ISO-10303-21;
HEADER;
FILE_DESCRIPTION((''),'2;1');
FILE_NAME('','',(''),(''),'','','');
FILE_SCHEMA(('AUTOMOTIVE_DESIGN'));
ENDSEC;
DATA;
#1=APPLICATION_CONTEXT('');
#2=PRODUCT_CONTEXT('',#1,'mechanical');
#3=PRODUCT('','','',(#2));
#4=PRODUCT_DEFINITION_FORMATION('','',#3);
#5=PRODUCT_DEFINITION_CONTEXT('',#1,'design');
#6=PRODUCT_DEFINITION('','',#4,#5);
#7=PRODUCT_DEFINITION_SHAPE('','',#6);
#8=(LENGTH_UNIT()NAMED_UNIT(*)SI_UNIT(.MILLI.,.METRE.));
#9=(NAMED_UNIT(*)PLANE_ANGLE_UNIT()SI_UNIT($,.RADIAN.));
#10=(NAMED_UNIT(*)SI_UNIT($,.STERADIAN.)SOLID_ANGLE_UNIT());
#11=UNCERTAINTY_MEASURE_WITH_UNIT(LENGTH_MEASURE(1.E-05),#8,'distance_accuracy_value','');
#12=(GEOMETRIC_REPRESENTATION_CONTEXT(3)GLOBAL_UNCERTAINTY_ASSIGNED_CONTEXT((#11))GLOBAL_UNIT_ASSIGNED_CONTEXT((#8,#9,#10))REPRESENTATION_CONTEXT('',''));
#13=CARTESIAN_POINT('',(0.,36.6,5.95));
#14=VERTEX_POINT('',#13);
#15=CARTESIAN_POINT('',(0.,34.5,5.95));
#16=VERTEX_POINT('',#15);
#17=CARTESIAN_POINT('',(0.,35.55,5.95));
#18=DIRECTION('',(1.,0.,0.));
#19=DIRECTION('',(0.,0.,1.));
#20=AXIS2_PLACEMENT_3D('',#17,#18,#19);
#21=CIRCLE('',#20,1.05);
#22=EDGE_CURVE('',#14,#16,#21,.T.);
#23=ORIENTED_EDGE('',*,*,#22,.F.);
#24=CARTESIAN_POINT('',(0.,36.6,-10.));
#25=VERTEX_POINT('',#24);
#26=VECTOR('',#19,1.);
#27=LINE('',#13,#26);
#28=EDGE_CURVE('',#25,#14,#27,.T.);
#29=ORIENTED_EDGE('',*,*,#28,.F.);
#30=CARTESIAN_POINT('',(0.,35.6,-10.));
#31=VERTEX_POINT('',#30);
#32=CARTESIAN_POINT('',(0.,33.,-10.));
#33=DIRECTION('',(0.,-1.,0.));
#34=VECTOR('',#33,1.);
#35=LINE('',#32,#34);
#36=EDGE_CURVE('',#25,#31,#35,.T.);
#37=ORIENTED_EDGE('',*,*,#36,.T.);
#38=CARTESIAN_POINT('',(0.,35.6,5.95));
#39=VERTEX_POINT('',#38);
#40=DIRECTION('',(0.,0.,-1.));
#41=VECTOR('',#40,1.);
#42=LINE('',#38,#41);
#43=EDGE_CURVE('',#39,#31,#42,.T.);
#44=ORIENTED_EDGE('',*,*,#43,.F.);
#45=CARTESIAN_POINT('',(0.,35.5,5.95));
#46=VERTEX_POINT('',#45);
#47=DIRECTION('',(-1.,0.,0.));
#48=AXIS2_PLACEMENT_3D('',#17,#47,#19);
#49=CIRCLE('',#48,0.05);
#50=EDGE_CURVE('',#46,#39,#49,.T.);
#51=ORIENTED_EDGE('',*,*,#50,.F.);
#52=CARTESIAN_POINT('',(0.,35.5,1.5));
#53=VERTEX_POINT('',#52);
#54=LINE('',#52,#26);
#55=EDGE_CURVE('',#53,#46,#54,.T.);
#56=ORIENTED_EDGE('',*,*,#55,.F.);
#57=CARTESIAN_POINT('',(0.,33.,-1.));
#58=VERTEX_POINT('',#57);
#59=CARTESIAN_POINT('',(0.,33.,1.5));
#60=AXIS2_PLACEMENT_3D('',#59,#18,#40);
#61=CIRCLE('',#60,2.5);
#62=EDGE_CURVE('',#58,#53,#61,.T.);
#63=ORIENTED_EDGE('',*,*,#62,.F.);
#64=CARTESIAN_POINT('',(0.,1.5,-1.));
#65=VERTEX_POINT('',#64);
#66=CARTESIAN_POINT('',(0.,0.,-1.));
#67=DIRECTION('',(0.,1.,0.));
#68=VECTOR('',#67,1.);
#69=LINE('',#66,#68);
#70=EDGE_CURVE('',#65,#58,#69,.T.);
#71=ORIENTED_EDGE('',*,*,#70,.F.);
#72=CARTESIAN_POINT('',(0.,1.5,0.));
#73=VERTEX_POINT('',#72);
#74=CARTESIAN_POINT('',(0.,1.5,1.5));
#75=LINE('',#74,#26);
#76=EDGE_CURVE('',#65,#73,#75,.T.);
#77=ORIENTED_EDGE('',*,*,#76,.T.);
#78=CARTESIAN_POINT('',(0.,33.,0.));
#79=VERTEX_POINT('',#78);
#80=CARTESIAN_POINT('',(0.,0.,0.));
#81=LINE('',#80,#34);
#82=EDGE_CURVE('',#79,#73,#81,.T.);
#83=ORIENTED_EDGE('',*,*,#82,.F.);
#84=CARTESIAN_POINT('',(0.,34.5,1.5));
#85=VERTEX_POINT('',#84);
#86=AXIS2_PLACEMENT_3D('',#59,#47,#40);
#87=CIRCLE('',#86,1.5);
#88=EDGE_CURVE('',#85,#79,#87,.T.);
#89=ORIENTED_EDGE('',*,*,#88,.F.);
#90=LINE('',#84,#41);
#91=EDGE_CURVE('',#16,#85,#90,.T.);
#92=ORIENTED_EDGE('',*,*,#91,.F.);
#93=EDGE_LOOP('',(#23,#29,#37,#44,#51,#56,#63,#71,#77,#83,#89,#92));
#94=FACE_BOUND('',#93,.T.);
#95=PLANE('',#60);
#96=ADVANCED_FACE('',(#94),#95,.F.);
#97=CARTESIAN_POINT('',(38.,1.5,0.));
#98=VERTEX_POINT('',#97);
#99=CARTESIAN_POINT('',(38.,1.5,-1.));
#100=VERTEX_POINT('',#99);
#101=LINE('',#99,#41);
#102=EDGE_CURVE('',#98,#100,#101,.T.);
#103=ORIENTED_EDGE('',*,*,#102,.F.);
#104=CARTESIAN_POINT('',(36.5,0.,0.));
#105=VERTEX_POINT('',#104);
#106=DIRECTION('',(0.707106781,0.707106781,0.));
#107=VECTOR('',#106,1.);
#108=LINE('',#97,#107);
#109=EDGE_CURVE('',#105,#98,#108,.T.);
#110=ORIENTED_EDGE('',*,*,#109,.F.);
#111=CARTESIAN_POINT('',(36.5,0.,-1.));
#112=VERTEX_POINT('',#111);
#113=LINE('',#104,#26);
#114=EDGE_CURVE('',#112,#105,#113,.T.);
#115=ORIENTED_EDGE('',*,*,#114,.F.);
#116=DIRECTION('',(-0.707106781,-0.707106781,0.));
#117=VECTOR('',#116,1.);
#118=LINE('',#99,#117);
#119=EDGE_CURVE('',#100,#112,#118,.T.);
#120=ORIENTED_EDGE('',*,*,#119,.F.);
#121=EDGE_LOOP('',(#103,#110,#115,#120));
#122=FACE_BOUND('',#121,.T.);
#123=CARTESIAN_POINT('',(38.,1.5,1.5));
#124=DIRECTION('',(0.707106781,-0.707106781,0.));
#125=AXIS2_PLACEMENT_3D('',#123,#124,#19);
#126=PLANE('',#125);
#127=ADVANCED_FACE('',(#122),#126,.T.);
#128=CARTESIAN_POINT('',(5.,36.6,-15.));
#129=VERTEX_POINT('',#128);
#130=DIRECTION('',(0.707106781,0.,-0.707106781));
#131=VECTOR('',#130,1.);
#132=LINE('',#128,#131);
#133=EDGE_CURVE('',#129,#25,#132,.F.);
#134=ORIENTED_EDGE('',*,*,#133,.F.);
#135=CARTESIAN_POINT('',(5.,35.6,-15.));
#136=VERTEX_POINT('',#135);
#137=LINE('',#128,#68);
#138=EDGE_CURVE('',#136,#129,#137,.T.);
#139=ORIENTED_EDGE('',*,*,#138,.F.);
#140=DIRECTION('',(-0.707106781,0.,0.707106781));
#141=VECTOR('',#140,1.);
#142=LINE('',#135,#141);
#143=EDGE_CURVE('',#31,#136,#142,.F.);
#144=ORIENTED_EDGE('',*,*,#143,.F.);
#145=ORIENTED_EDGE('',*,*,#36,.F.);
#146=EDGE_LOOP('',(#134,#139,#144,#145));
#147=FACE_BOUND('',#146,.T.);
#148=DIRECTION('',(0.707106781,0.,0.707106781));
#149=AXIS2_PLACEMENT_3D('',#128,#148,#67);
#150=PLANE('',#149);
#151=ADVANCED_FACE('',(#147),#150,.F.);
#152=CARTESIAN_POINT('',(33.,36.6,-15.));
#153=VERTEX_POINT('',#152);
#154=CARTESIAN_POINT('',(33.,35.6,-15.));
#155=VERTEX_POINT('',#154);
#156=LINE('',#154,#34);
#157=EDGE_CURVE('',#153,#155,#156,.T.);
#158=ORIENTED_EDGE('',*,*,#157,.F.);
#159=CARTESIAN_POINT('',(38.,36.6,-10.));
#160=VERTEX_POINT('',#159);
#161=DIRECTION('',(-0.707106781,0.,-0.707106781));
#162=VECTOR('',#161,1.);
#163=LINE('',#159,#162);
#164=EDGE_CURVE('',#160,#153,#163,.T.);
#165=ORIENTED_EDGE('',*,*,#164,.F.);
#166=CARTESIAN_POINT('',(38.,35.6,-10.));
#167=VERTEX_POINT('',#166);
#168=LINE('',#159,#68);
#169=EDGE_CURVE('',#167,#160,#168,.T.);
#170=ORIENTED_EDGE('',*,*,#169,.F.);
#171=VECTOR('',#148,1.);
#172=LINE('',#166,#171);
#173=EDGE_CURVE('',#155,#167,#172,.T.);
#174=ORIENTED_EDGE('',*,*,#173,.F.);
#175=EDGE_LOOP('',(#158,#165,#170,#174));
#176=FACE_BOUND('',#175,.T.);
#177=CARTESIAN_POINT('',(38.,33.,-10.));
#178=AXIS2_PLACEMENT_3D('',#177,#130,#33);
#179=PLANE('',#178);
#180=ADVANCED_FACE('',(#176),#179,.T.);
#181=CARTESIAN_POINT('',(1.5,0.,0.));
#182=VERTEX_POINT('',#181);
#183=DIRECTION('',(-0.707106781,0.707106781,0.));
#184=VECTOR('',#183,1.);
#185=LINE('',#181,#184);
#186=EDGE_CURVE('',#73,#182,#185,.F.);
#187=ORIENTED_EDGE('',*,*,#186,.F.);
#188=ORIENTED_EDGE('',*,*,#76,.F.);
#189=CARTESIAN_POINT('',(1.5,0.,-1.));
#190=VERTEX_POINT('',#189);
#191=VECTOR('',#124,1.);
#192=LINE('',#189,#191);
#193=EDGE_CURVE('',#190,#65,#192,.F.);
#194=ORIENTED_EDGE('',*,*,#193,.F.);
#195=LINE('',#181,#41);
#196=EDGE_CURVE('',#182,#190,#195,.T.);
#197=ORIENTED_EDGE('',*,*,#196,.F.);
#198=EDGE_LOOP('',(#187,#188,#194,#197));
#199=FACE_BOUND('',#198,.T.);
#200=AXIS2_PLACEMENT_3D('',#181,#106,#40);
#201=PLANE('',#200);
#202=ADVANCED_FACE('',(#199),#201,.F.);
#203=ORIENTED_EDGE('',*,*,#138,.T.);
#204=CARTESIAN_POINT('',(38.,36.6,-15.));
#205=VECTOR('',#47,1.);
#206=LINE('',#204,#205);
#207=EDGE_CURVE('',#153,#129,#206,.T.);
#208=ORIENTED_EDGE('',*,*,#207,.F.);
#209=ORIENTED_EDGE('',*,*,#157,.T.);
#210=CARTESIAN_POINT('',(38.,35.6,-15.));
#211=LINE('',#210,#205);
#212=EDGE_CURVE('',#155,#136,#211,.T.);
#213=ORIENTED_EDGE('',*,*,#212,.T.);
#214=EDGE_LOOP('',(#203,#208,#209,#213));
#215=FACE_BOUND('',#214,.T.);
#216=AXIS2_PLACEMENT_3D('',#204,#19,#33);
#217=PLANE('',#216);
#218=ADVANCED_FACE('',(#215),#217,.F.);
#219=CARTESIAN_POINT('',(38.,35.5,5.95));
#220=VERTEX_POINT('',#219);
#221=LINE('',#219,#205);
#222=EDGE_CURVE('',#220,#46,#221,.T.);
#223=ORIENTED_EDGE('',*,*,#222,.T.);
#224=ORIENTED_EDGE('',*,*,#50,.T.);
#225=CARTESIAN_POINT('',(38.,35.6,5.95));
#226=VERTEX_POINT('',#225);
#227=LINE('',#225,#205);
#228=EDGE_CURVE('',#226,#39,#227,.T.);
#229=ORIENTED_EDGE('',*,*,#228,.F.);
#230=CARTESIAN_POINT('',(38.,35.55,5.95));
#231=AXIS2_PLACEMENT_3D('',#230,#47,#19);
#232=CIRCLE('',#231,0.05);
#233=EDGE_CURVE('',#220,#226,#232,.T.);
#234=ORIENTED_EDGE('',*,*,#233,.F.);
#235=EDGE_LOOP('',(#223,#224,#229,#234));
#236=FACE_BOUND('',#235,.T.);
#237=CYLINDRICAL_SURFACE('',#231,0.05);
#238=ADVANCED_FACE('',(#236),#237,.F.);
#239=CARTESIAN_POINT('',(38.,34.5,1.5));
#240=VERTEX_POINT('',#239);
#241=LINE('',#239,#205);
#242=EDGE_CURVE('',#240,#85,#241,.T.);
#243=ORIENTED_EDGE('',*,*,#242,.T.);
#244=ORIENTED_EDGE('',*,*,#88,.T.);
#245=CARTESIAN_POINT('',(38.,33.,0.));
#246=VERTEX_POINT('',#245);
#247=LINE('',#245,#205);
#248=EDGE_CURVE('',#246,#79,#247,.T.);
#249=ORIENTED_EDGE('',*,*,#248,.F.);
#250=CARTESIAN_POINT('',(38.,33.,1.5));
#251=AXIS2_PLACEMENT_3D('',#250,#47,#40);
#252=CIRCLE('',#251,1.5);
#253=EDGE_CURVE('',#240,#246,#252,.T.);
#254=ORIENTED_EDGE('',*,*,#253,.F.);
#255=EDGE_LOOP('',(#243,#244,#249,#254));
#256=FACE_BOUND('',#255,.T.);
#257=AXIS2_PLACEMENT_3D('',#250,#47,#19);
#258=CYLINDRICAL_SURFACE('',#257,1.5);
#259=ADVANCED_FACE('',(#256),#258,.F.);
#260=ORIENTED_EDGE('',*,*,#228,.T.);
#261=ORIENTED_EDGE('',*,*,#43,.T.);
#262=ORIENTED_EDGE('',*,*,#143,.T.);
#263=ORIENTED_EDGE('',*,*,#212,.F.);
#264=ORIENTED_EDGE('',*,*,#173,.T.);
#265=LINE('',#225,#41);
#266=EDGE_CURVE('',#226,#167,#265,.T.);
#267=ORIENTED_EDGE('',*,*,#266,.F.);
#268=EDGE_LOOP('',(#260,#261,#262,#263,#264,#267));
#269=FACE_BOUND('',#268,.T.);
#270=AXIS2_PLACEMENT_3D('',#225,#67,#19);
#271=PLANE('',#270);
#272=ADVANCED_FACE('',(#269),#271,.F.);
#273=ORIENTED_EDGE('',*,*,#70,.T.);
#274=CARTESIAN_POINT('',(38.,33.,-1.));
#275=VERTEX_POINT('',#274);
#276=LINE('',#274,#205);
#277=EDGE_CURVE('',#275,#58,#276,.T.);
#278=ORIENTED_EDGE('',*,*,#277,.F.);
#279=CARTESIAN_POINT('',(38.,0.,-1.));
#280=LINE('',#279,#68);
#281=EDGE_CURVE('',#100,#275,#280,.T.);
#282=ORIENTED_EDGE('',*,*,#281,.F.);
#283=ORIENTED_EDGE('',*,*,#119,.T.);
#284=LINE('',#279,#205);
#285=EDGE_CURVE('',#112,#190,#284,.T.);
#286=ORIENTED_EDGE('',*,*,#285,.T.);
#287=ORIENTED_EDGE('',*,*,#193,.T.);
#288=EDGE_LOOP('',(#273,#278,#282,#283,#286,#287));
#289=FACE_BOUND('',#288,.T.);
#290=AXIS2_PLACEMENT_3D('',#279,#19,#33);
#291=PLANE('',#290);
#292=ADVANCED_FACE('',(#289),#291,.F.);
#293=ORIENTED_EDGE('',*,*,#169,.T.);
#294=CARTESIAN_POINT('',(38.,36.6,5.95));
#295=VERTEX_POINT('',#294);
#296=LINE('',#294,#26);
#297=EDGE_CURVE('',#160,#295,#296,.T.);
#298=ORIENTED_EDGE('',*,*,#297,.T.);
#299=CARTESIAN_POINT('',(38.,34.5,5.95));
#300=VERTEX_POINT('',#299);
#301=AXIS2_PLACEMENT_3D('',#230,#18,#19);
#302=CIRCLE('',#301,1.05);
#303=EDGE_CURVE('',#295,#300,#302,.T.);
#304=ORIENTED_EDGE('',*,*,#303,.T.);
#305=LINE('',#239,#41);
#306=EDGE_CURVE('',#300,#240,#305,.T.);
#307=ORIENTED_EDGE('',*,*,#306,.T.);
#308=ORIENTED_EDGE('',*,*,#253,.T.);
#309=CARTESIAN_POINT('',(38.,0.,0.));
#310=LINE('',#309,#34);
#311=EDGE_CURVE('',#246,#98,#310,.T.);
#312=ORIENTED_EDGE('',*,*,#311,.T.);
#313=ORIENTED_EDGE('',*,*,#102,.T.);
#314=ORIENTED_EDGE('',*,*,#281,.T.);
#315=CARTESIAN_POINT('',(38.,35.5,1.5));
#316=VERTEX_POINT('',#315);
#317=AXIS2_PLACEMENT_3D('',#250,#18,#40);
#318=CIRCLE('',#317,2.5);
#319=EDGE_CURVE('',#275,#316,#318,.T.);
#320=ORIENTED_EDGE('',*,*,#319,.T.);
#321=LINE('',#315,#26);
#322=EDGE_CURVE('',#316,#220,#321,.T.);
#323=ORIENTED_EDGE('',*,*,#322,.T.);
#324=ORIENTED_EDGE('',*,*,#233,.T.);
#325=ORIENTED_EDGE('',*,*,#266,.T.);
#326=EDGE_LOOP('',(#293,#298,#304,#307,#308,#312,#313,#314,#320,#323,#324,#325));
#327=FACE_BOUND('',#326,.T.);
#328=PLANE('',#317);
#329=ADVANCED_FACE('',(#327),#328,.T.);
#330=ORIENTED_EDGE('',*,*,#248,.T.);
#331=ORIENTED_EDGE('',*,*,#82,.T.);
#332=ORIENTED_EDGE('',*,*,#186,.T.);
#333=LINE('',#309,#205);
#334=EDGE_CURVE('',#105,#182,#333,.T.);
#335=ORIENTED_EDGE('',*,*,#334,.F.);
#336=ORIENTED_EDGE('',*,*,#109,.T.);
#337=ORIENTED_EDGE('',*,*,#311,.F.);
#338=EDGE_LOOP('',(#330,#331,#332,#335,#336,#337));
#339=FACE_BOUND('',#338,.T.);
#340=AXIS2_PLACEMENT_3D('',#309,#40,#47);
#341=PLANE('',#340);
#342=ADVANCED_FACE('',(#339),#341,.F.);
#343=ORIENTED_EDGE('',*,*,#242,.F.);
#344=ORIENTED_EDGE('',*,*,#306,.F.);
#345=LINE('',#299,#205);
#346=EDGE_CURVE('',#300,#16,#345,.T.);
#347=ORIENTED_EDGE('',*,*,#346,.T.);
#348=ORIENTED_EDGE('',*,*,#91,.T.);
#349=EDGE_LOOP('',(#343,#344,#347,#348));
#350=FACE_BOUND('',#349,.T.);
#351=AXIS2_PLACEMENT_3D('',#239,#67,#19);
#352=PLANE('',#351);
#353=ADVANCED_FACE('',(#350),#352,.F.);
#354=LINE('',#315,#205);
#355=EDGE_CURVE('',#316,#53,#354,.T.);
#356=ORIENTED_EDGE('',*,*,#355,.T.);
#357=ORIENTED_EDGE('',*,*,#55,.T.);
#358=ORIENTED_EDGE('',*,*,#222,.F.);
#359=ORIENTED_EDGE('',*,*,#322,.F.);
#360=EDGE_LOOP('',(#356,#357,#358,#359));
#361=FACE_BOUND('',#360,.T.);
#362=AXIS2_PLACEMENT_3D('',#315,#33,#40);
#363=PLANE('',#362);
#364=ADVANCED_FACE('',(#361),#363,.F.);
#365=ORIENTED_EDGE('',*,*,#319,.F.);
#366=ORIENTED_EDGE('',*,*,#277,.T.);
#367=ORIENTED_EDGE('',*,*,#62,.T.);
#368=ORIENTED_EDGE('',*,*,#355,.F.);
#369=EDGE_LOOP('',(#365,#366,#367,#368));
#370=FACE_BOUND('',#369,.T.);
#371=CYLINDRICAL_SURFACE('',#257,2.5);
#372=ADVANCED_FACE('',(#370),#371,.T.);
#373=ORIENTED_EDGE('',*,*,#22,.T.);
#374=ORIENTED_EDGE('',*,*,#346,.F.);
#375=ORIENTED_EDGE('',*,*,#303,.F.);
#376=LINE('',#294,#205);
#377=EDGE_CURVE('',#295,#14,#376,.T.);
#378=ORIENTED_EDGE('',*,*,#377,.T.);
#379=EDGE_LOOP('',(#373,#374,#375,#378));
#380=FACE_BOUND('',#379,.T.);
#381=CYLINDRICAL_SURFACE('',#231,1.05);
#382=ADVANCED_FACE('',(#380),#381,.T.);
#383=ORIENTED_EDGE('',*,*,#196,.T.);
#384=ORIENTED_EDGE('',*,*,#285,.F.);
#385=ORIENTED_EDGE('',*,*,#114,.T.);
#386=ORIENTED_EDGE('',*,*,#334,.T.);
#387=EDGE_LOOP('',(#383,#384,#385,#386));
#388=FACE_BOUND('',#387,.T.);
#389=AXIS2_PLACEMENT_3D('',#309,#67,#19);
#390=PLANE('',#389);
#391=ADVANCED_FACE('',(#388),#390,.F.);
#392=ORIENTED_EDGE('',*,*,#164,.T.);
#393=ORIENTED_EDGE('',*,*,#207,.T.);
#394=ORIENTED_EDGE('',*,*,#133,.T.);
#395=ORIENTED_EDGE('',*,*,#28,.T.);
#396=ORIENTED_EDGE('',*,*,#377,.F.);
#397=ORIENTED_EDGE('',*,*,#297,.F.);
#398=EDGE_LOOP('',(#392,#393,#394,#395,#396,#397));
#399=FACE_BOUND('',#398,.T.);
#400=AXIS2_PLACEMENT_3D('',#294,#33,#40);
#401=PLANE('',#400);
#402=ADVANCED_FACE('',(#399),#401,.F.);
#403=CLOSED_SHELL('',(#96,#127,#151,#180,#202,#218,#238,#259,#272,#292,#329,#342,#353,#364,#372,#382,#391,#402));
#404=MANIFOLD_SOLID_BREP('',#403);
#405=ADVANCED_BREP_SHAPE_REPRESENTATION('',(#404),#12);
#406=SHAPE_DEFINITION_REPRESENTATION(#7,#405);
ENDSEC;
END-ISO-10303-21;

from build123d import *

# Parameters (mm, degrees)
BOSS_EXTRUDE1_DEPTH = 38
CHAMFER1_SIZE       = 5
CHAMFER2_SIZE       = 1.5


with BuildPart() as part:
    # Sketch1 → Boss-Extrude1 (new body)
    with BuildSketch(Plane(origin=(0, 0, 0), x_dir=(0, 0, -1), z_dir=(1, 0, 0))):
        with BuildLine():
            Line((0, 0), (0, 33))
            ThreePointArc((0, 33), (-0.439339828, 34.060660172), (-1.5, 34.5))
            Line((-1.5, 34.5), (-5.95, 34.5))
            ThreePointArc((-5.95, 34.5), (-7, 35.55), (-5.95, 36.6))
            Line((-5.95, 36.6), (15, 36.6))
            Line((15, 36.6), (15, 35.6))
            Line((15, 35.6), (-5.95, 35.6))
            ThreePointArc((-5.95, 35.6), (-6, 35.55), (-5.95, 35.5))
            Line((-5.95, 35.5), (-1.5, 35.5))
            ThreePointArc((-1.5, 35.5), (0.267766953, 34.767766953), (1, 33))
            Line((1, 33), (1, 0))
            Line((1, 0), (0, 0))
        make_face()
    extrude(amount=BOSS_EXTRUDE1_DEPTH)

    # Chamfer1
    chamfer1_edges = [part.edges().sort_by_distance(p)[0] for p in [
        (0, 36.1, -15),
        (38, 36.1, -15),
    ]]
    chamfer(chamfer1_edges, length=CHAMFER1_SIZE)

    # Chamfer2
    chamfer2_edges = [part.edges().sort_by_distance(p)[0] for p in [
        (0, 0, -0.5),
        (38, 0, -0.5),
    ]]
    chamfer(chamfer2_edges, length=CHAMFER2_SIZE)


solid = part.part
